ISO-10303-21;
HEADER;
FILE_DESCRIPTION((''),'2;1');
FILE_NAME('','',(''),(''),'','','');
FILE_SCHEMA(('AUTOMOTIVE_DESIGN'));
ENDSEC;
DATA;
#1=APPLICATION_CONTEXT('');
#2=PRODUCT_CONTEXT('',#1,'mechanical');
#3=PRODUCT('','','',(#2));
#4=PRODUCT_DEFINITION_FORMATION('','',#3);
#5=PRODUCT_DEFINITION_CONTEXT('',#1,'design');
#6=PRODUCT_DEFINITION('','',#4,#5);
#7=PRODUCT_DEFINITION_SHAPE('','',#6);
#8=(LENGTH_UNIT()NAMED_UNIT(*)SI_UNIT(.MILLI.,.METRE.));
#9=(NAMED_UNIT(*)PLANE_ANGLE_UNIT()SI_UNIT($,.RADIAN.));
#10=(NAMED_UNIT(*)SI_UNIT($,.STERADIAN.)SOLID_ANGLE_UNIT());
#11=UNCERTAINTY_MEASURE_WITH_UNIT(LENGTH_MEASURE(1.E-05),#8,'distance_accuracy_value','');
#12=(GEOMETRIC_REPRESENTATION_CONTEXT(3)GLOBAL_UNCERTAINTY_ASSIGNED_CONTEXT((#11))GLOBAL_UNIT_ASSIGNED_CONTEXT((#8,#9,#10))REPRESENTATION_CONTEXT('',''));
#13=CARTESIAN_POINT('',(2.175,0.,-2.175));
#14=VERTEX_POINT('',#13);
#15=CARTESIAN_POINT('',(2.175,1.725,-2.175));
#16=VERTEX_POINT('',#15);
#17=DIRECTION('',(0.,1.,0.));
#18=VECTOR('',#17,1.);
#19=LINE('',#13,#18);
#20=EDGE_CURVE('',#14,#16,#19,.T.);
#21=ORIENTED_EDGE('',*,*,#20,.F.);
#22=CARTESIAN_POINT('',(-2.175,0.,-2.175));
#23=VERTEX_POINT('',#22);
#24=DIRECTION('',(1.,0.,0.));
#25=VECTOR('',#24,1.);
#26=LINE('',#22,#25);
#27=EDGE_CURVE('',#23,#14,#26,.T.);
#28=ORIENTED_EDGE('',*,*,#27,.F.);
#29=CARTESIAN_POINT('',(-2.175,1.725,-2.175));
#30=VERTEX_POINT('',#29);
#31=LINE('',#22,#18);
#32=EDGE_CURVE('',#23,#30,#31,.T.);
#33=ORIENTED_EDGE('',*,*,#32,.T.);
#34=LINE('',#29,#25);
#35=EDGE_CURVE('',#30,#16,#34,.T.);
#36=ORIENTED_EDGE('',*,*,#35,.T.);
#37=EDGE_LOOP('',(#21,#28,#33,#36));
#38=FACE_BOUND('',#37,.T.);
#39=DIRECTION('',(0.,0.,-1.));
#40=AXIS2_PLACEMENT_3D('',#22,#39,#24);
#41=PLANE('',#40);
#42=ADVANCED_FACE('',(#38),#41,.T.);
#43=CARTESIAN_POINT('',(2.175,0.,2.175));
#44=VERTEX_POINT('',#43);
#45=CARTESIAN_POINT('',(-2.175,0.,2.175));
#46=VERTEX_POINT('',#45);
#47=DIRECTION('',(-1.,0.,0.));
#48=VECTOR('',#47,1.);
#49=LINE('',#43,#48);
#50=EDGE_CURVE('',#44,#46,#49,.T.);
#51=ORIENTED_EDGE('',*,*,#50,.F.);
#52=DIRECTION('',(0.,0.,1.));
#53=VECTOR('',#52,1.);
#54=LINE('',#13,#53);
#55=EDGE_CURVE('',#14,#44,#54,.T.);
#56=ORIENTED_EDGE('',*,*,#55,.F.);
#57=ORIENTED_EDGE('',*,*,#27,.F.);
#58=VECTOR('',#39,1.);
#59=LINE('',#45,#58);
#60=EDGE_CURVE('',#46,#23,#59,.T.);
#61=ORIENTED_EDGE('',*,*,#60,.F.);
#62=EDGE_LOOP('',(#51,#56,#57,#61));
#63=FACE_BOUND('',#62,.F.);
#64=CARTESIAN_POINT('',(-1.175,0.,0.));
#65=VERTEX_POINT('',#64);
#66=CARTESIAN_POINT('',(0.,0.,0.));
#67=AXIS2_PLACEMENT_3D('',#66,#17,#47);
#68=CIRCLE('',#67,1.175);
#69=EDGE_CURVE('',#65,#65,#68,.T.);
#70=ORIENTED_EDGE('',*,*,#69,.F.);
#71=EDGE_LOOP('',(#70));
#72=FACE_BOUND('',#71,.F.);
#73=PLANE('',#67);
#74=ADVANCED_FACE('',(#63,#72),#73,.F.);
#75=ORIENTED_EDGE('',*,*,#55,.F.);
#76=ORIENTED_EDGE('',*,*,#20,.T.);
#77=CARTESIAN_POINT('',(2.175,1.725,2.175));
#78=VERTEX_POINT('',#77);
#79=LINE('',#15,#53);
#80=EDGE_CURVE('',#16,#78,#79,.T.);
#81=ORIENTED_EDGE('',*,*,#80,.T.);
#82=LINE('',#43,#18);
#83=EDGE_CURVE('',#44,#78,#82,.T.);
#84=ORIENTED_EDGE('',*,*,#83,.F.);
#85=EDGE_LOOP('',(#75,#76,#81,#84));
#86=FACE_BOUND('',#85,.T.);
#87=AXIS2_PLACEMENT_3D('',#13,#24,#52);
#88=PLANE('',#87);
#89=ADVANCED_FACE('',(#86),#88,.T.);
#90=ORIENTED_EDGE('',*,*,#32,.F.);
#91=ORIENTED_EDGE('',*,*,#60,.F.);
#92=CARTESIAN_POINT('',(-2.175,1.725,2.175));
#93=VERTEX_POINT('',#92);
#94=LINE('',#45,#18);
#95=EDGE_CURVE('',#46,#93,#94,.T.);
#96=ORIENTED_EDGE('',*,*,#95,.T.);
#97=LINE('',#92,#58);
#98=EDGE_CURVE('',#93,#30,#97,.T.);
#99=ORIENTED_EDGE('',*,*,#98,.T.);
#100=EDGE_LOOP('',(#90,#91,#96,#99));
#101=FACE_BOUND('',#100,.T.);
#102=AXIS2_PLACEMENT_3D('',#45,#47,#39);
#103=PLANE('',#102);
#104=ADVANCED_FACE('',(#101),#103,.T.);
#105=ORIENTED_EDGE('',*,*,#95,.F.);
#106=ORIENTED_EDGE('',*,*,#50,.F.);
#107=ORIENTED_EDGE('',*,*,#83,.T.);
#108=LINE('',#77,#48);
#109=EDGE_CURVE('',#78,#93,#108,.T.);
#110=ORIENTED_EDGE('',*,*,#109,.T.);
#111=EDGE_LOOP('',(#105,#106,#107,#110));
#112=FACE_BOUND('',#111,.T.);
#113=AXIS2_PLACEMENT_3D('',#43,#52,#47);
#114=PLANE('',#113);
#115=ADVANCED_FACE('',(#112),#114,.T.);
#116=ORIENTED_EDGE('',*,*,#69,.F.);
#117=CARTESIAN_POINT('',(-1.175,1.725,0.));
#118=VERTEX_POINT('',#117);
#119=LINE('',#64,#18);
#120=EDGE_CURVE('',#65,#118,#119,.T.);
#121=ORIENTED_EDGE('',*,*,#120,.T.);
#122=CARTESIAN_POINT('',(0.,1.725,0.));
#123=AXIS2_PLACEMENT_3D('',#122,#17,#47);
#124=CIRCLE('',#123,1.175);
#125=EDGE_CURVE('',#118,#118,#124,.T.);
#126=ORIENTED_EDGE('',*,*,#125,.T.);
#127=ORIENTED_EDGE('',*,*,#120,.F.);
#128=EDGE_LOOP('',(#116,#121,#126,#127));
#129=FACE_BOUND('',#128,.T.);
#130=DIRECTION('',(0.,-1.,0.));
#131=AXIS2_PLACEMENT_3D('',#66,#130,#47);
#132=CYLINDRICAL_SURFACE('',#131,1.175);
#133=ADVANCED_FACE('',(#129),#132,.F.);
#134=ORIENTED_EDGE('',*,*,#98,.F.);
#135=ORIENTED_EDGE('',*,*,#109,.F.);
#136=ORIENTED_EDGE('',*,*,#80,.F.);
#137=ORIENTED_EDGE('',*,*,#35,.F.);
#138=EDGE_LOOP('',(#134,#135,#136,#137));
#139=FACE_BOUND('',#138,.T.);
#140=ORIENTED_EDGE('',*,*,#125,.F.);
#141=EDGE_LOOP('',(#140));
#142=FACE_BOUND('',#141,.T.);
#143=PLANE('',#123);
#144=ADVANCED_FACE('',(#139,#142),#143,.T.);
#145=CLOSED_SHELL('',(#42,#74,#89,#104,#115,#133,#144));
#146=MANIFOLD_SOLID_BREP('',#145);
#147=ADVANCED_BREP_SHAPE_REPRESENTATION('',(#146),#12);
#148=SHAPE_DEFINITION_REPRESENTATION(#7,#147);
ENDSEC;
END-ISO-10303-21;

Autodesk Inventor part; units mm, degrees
ref_plane "YZ Plane" through (0, 0, 0) normal (1, 0, 0) x (0, 1, 0)
ref_plane "XZ Plane" through (0, 0, 0) normal (0, 1, 0) x (-1, 0, 0)
ref_plane "XY Plane" through (0, 0, 0) normal (0, 0, 1) x (1, 0, 0)
sketch "Sketch1" plane through (0, 0, 0) normal (0, 1, 0) x (-1, 0, 0)
  line L0 (-2.175, 2.175) -> (2.175, 2.175)
  line L1 (2.175, 2.175) -> (2.175, -2.175)
  line L2 (2.175, -2.175) -> (-2.175, -2.175)
  line L3 (-2.175, -2.175) -> (-2.175, 2.175)
  circle A0 centre (0, 0) radius 1.175
  point P0 (0, 2.175)
  point P1 (2.175, 0)
  dimension "d0" = 4.35
  dimension "d1" = 2.35
extrude "Extrusion1" add sketch "Sketch1" along normal blind 1.725
equation "\"d0\" = nut_A"
equation "\"d1\" = nut_C"
equation "\"d2\" = nut_B"
equation "\"nut_A\" = 4.35"
equation "\"nut_C\" = 2.35"
equation "\"nut_B\" = 1.725"
properties part number "NUT_2MM"
